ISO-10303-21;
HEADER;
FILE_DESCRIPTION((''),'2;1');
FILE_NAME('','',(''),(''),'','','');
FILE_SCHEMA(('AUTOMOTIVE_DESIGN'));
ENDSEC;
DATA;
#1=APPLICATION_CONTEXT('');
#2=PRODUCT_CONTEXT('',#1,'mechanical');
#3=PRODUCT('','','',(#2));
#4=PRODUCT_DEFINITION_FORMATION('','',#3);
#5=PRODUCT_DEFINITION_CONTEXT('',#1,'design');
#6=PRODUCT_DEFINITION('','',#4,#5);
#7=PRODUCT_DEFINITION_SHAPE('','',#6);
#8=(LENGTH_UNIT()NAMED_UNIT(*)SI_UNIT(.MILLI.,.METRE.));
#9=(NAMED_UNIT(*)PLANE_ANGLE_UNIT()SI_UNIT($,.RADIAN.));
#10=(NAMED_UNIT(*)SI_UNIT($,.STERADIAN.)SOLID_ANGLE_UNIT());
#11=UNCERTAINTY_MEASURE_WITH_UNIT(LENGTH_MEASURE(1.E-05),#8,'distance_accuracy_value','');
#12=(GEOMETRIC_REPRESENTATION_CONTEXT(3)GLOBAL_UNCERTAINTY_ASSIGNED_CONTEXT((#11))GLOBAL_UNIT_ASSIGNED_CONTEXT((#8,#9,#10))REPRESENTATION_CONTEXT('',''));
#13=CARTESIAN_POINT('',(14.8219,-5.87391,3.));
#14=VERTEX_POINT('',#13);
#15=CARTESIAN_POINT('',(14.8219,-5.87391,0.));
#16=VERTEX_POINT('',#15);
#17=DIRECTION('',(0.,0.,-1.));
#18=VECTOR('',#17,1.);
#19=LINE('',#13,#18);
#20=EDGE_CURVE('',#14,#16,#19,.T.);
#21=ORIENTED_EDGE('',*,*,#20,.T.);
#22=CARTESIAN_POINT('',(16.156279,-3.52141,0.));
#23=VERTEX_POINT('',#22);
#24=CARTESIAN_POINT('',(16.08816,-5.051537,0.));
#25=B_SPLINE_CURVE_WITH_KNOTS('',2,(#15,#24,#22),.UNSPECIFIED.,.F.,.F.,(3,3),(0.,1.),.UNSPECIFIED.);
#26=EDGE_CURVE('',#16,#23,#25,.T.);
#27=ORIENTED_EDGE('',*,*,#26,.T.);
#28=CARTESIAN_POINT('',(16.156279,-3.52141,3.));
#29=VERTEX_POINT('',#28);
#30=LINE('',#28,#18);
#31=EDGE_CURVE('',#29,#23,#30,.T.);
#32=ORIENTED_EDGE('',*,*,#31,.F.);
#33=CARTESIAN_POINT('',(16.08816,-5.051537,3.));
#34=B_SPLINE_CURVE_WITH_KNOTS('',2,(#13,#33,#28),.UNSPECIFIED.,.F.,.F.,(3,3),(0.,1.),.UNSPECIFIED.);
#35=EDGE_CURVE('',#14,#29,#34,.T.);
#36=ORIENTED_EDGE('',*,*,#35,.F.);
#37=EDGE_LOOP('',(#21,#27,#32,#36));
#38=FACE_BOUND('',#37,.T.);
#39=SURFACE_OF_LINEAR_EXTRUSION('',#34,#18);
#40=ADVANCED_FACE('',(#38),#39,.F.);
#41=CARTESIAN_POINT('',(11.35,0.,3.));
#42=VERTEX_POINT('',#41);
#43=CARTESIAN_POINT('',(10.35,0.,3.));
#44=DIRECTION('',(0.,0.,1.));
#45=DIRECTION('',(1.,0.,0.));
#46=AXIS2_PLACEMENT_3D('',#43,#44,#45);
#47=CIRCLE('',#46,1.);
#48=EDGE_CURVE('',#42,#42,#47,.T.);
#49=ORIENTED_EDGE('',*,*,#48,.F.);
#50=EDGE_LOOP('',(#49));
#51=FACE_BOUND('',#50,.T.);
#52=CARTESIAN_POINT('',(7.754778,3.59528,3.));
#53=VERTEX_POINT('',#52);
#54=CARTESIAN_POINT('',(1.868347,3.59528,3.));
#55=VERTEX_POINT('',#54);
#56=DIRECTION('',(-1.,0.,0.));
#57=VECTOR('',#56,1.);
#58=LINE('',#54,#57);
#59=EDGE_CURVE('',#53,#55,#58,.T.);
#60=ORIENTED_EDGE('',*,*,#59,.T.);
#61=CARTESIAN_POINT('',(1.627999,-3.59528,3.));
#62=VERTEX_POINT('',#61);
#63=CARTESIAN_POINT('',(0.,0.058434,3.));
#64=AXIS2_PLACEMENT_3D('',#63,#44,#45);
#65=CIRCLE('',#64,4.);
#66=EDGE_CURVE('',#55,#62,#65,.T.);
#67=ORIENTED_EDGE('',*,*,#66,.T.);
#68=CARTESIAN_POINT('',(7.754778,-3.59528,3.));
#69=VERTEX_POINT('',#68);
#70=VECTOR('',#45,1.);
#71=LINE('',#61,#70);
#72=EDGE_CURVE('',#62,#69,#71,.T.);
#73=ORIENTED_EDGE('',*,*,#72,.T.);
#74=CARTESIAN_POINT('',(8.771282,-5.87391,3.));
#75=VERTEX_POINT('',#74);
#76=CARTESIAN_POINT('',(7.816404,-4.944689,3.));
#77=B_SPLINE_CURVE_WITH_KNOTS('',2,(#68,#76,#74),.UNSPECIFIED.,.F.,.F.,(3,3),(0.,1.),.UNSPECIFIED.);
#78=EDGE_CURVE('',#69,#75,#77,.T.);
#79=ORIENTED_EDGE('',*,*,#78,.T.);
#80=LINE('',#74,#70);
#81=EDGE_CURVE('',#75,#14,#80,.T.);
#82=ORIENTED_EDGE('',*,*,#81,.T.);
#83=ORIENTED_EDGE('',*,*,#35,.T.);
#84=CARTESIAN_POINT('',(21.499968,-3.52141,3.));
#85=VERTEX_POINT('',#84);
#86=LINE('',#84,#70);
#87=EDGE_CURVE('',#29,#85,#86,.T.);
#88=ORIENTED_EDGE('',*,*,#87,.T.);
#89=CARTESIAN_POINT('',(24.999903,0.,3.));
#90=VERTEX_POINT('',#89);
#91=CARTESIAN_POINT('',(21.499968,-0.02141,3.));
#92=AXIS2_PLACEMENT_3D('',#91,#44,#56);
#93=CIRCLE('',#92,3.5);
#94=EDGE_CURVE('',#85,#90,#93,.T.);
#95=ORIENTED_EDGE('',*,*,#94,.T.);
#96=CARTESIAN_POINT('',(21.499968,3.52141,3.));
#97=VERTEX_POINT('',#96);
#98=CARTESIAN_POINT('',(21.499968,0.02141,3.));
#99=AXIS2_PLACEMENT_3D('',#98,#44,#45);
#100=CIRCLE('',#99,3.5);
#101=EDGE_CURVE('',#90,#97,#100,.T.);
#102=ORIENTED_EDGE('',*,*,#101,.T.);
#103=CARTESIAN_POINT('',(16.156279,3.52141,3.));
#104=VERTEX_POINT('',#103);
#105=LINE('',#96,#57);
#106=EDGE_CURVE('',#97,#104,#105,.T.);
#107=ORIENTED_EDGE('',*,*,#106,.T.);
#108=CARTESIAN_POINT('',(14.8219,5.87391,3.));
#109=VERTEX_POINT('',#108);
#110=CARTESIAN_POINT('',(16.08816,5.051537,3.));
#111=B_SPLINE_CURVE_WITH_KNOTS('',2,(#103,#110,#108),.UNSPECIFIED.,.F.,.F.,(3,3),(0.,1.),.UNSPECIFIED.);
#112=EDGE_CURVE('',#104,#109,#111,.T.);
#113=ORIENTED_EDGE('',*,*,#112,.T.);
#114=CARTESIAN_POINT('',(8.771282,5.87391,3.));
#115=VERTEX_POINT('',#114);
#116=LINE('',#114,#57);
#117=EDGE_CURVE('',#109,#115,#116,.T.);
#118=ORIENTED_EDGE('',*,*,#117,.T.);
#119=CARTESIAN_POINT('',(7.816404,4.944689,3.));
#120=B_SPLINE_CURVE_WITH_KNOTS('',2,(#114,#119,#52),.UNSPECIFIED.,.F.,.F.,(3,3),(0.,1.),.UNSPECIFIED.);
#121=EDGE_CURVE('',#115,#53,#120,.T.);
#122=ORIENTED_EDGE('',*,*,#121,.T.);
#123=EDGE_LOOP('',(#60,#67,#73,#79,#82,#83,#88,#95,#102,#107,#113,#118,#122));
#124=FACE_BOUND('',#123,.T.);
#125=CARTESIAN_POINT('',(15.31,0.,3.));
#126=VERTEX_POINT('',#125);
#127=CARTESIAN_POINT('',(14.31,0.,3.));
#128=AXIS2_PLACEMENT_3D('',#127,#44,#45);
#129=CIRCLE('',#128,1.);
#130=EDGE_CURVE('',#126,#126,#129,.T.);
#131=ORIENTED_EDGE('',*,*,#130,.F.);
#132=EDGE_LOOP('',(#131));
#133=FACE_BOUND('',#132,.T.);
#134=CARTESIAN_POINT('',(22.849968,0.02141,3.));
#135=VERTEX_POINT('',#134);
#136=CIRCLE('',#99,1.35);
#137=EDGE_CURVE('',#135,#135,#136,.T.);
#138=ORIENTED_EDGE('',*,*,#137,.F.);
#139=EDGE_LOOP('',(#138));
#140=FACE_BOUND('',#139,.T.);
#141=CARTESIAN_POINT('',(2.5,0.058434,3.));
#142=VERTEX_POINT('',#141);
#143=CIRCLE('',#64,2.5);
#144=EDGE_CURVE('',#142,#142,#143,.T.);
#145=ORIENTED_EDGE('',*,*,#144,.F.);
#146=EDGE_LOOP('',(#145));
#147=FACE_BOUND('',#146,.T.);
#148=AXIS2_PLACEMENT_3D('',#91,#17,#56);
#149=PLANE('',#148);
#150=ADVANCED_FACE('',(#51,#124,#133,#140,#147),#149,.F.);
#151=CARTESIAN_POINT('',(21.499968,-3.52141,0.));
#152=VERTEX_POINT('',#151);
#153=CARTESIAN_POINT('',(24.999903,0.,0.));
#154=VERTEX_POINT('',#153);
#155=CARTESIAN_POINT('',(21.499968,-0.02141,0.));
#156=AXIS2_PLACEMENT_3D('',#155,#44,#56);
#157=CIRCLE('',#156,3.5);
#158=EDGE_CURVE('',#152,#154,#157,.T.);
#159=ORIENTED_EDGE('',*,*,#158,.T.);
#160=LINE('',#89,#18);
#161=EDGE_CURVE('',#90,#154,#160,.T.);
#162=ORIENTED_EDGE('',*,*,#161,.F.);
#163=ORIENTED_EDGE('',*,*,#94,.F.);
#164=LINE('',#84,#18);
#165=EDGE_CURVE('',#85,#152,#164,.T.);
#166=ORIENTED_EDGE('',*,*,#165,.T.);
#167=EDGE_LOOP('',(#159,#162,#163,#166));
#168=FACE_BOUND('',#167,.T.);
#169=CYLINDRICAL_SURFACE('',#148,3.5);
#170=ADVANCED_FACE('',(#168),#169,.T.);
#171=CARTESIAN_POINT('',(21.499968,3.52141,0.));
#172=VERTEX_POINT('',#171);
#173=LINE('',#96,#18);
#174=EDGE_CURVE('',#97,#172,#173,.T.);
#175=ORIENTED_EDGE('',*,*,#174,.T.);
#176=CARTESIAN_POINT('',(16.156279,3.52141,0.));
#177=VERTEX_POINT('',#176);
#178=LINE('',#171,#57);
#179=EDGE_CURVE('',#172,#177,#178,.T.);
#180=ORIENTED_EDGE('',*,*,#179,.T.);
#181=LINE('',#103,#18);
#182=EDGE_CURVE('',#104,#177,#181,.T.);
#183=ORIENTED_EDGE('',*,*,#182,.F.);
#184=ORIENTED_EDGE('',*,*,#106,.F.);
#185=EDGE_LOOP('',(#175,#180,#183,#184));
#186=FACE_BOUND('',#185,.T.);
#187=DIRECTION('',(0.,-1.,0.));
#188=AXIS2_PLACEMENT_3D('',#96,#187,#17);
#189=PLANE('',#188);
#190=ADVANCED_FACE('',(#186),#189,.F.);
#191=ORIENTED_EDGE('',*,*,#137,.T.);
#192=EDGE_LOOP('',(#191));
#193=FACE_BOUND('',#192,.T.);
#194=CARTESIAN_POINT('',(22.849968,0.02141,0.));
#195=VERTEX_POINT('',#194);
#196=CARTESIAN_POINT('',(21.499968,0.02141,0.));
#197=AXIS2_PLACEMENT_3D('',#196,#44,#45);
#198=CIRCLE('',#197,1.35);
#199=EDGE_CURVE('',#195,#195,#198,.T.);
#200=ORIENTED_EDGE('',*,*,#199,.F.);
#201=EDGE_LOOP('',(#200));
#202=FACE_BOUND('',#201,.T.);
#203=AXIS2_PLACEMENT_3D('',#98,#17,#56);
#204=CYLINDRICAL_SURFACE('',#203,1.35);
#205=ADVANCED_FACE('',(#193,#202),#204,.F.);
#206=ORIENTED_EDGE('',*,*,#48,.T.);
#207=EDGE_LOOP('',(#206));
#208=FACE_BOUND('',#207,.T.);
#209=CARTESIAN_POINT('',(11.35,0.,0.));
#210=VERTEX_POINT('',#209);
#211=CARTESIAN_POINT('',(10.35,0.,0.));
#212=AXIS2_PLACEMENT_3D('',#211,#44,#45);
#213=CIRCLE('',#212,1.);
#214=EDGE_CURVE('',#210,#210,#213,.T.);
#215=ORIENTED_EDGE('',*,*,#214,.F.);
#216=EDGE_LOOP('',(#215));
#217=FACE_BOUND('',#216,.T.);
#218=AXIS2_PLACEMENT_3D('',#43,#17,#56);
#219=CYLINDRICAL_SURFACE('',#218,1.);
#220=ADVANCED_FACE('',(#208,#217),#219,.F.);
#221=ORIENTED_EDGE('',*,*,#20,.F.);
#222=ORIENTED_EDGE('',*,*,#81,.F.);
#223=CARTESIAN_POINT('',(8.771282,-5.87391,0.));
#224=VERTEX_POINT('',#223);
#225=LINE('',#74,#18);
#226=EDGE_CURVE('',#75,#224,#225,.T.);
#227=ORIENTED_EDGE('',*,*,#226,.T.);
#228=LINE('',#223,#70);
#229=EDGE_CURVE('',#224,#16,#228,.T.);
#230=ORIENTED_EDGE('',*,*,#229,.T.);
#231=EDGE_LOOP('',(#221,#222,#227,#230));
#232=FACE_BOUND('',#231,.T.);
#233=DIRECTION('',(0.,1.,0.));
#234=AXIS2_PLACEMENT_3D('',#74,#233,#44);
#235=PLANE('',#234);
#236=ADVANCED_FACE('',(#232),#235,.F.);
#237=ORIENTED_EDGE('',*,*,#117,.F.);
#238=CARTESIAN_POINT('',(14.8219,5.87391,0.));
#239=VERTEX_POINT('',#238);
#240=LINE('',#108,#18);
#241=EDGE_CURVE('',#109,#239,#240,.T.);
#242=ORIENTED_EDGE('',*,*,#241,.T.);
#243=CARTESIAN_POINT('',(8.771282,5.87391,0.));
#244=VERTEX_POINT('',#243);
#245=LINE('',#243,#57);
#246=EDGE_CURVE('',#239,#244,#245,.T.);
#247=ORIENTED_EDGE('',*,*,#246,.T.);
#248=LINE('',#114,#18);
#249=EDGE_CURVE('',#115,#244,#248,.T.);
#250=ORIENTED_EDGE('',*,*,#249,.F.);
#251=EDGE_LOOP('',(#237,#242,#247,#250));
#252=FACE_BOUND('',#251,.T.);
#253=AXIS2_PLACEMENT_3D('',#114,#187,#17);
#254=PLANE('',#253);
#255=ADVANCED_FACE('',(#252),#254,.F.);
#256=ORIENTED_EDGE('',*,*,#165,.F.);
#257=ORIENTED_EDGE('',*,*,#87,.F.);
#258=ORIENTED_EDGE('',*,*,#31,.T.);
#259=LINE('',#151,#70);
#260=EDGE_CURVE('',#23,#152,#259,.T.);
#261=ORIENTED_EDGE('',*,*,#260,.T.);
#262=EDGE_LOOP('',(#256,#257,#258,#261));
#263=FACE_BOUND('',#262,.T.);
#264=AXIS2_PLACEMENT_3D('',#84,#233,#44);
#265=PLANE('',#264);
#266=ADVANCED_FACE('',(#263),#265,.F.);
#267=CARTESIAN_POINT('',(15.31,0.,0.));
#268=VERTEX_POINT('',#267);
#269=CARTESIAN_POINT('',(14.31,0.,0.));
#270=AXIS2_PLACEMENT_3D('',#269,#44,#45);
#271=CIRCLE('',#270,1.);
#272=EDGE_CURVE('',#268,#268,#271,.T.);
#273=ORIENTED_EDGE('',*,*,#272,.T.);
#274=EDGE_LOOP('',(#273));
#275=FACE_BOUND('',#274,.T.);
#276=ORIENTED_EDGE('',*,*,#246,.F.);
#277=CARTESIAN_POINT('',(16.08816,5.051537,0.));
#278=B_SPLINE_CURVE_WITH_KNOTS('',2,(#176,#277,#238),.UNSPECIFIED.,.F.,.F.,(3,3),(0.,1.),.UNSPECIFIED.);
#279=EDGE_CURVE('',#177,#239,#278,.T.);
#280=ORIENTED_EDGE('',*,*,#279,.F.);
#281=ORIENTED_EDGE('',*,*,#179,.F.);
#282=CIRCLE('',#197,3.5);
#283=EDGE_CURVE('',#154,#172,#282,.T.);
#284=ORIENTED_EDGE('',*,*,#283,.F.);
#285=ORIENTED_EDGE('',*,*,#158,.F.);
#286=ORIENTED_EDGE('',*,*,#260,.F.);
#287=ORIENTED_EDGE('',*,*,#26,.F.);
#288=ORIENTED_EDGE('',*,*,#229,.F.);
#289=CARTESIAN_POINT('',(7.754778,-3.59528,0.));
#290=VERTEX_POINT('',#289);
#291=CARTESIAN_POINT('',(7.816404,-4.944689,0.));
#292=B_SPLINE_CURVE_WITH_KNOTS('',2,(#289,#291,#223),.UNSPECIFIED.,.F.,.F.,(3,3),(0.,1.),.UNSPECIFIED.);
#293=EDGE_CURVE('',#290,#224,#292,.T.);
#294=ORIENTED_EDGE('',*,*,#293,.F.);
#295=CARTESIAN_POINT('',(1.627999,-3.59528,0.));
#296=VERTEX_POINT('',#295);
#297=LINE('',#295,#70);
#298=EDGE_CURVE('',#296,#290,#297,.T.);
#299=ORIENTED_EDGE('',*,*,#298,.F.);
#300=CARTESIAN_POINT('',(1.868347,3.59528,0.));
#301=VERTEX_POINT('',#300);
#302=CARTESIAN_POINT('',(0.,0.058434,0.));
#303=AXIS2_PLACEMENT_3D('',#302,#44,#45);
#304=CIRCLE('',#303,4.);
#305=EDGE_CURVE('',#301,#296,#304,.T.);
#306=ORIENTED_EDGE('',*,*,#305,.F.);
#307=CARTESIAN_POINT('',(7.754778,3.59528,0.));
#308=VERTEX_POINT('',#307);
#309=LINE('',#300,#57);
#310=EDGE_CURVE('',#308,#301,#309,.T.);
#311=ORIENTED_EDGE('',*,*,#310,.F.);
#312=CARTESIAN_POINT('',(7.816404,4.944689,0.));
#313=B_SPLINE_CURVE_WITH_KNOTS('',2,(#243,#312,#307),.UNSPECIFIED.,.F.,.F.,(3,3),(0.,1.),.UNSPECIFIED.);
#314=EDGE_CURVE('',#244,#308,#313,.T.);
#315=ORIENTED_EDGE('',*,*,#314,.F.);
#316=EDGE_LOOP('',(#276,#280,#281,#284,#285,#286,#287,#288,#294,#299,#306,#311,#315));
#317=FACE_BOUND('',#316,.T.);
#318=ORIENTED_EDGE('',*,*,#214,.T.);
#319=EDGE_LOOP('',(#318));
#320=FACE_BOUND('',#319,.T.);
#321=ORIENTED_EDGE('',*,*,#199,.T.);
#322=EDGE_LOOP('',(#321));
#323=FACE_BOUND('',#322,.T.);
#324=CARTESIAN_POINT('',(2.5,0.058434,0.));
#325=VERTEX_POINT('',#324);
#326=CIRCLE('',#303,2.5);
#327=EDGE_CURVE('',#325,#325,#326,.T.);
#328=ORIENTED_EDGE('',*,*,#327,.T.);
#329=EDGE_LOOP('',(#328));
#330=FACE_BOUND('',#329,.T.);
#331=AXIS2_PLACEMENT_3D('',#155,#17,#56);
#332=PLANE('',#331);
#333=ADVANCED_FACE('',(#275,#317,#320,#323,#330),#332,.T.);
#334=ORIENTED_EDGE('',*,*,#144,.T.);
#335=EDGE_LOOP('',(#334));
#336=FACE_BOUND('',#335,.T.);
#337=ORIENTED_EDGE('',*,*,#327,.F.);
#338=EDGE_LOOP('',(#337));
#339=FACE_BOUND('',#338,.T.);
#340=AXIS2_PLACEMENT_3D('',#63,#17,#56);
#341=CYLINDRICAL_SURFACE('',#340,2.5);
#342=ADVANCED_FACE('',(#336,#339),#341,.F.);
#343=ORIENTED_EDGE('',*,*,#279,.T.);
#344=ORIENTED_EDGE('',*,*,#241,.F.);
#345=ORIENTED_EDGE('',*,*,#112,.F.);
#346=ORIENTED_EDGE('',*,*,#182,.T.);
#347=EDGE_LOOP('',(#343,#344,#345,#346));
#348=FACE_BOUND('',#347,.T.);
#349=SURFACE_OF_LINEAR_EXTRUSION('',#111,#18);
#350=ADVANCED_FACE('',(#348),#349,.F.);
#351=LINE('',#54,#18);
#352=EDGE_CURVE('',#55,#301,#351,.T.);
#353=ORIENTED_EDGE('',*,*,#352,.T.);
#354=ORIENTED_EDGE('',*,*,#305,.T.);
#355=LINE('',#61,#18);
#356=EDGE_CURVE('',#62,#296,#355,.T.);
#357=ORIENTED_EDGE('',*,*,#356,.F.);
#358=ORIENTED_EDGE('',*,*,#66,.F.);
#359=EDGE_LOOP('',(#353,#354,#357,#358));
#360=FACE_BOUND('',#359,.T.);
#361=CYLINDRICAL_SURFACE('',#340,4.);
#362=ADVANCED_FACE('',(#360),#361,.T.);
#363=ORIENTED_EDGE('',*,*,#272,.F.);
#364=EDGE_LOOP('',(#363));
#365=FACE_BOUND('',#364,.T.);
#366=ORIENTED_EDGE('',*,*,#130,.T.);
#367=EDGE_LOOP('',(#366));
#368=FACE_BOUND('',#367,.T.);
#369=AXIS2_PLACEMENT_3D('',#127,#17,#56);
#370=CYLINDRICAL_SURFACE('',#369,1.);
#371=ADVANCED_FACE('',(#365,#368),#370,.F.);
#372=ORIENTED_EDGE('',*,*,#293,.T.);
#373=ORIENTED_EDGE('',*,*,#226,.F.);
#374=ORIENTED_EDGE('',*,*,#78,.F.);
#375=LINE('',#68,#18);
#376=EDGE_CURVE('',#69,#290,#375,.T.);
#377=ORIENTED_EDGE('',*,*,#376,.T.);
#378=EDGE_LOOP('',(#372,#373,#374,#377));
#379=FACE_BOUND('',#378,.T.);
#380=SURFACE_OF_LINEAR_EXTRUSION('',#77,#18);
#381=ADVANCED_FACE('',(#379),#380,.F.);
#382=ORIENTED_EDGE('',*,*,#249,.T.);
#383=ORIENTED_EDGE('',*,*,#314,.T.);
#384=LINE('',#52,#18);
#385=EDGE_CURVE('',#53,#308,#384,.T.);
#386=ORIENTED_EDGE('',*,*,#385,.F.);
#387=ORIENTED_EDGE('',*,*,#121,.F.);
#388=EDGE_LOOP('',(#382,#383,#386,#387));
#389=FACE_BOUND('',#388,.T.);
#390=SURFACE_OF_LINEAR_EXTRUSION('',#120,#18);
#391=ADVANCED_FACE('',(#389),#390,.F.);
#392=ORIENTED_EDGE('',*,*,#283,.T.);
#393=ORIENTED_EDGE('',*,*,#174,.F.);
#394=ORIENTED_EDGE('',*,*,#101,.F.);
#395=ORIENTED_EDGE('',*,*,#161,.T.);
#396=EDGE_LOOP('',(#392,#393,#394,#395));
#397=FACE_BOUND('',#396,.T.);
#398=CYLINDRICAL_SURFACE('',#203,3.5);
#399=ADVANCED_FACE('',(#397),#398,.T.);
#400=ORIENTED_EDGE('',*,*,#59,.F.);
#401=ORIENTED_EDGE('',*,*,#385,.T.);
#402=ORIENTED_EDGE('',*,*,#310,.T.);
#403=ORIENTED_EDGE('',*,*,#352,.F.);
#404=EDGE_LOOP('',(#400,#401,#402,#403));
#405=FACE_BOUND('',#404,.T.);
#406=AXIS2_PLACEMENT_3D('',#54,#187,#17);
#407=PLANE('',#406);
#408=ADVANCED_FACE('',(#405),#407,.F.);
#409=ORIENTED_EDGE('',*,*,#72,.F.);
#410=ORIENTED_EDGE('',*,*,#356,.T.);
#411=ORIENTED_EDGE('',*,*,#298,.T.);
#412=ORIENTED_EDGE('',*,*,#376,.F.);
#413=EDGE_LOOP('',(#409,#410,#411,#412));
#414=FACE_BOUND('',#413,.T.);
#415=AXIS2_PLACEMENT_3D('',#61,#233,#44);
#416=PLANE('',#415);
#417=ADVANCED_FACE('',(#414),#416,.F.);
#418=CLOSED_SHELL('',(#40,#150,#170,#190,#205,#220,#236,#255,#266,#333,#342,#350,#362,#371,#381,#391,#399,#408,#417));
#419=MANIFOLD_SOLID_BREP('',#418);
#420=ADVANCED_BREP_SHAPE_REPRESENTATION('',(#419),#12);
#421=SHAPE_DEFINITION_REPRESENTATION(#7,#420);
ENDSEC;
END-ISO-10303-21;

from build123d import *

# Parameters (mm, degrees)
SKETCH_3_R      = 2.5
SKETCH_3_R_2    = 1
SKETCH_3_R_3    = 1.35
EXTRUDE_2_DEPTH = 3


with BuildPart() as part:
    # 草图3 → 凸台-拉伸2 (new body)
    with BuildSketch(Plane.XY):
        with BuildLine():
            Line((21.499968123, 3.52141019), (16.156278552, 3.52141019))
            add(Edge.make_bspline(
                [(16.156278552, 3.52141019), (16.088160339, 5.051537173), (14.821900334, 5.873909505)],
                knots=[0, 0, 0, 1, 1, 1], degree=2))
            Line((14.821900334, 5.873909505), (8.771282217, 5.873909505))
            add(Edge.make_bspline(
                [(7.754778373, 3.595279655), (7.816403966, 4.944689103), (8.771282217, 5.873909505)],
                knots=[0, 0, 0, 1, 1, 1], degree=2))
            Line((7.754778373, 3.595279655), (1.868346732, 3.595279655))
            ThreePointArc((1.868346732, 3.595279655), (-3.997767344, 0.192060873), (1.627998751, -3.595279655))
            Line((1.627998751, -3.595279655), (7.754778373, -3.595279655))
            add(Edge.make_bspline(
                [(7.754778373, -3.595279655), (7.816403966, -4.944689103), (8.771282217, -5.873909505)],
                knots=[0, 0, 0, 1, 1, 1], degree=2))
            Line((8.771282217, -5.873909505), (14.821900334, -5.873909505))
            add(Edge.make_bspline(
                [(16.156278552, -3.52141019), (16.088160339, -5.051537173), (14.821900334, -5.873909505)],
                knots=[0, 0, 0, 1, 1, 1], degree=2))
            Line((16.156278552, -3.52141019), (21.499968123, -3.52141019))
            ThreePointArc((21.499968123, -3.52141019), (23.982399961, -2.488702667), (24.999902637, 0))
            ThreePointArc((24.999902637, 0), (23.982399961, 2.488702667), (21.499968123, 3.52141019))
        make_face()
        with Locations((0, 0.058433534)):
            Circle(SKETCH_3_R, mode=Mode.SUBTRACT)
        with Locations((10.35, 0)):
            Circle(SKETCH_3_R_2, mode=Mode.SUBTRACT)
        with Locations((14.31, 0)):
            Circle(SKETCH_3_R_2, mode=Mode.SUBTRACT)
        with Locations((21.499968123, 0.02141019)):
            Circle(SKETCH_3_R_3, mode=Mode.SUBTRACT)
    extrude(amount=EXTRUDE_2_DEPTH)


solid = part.part
